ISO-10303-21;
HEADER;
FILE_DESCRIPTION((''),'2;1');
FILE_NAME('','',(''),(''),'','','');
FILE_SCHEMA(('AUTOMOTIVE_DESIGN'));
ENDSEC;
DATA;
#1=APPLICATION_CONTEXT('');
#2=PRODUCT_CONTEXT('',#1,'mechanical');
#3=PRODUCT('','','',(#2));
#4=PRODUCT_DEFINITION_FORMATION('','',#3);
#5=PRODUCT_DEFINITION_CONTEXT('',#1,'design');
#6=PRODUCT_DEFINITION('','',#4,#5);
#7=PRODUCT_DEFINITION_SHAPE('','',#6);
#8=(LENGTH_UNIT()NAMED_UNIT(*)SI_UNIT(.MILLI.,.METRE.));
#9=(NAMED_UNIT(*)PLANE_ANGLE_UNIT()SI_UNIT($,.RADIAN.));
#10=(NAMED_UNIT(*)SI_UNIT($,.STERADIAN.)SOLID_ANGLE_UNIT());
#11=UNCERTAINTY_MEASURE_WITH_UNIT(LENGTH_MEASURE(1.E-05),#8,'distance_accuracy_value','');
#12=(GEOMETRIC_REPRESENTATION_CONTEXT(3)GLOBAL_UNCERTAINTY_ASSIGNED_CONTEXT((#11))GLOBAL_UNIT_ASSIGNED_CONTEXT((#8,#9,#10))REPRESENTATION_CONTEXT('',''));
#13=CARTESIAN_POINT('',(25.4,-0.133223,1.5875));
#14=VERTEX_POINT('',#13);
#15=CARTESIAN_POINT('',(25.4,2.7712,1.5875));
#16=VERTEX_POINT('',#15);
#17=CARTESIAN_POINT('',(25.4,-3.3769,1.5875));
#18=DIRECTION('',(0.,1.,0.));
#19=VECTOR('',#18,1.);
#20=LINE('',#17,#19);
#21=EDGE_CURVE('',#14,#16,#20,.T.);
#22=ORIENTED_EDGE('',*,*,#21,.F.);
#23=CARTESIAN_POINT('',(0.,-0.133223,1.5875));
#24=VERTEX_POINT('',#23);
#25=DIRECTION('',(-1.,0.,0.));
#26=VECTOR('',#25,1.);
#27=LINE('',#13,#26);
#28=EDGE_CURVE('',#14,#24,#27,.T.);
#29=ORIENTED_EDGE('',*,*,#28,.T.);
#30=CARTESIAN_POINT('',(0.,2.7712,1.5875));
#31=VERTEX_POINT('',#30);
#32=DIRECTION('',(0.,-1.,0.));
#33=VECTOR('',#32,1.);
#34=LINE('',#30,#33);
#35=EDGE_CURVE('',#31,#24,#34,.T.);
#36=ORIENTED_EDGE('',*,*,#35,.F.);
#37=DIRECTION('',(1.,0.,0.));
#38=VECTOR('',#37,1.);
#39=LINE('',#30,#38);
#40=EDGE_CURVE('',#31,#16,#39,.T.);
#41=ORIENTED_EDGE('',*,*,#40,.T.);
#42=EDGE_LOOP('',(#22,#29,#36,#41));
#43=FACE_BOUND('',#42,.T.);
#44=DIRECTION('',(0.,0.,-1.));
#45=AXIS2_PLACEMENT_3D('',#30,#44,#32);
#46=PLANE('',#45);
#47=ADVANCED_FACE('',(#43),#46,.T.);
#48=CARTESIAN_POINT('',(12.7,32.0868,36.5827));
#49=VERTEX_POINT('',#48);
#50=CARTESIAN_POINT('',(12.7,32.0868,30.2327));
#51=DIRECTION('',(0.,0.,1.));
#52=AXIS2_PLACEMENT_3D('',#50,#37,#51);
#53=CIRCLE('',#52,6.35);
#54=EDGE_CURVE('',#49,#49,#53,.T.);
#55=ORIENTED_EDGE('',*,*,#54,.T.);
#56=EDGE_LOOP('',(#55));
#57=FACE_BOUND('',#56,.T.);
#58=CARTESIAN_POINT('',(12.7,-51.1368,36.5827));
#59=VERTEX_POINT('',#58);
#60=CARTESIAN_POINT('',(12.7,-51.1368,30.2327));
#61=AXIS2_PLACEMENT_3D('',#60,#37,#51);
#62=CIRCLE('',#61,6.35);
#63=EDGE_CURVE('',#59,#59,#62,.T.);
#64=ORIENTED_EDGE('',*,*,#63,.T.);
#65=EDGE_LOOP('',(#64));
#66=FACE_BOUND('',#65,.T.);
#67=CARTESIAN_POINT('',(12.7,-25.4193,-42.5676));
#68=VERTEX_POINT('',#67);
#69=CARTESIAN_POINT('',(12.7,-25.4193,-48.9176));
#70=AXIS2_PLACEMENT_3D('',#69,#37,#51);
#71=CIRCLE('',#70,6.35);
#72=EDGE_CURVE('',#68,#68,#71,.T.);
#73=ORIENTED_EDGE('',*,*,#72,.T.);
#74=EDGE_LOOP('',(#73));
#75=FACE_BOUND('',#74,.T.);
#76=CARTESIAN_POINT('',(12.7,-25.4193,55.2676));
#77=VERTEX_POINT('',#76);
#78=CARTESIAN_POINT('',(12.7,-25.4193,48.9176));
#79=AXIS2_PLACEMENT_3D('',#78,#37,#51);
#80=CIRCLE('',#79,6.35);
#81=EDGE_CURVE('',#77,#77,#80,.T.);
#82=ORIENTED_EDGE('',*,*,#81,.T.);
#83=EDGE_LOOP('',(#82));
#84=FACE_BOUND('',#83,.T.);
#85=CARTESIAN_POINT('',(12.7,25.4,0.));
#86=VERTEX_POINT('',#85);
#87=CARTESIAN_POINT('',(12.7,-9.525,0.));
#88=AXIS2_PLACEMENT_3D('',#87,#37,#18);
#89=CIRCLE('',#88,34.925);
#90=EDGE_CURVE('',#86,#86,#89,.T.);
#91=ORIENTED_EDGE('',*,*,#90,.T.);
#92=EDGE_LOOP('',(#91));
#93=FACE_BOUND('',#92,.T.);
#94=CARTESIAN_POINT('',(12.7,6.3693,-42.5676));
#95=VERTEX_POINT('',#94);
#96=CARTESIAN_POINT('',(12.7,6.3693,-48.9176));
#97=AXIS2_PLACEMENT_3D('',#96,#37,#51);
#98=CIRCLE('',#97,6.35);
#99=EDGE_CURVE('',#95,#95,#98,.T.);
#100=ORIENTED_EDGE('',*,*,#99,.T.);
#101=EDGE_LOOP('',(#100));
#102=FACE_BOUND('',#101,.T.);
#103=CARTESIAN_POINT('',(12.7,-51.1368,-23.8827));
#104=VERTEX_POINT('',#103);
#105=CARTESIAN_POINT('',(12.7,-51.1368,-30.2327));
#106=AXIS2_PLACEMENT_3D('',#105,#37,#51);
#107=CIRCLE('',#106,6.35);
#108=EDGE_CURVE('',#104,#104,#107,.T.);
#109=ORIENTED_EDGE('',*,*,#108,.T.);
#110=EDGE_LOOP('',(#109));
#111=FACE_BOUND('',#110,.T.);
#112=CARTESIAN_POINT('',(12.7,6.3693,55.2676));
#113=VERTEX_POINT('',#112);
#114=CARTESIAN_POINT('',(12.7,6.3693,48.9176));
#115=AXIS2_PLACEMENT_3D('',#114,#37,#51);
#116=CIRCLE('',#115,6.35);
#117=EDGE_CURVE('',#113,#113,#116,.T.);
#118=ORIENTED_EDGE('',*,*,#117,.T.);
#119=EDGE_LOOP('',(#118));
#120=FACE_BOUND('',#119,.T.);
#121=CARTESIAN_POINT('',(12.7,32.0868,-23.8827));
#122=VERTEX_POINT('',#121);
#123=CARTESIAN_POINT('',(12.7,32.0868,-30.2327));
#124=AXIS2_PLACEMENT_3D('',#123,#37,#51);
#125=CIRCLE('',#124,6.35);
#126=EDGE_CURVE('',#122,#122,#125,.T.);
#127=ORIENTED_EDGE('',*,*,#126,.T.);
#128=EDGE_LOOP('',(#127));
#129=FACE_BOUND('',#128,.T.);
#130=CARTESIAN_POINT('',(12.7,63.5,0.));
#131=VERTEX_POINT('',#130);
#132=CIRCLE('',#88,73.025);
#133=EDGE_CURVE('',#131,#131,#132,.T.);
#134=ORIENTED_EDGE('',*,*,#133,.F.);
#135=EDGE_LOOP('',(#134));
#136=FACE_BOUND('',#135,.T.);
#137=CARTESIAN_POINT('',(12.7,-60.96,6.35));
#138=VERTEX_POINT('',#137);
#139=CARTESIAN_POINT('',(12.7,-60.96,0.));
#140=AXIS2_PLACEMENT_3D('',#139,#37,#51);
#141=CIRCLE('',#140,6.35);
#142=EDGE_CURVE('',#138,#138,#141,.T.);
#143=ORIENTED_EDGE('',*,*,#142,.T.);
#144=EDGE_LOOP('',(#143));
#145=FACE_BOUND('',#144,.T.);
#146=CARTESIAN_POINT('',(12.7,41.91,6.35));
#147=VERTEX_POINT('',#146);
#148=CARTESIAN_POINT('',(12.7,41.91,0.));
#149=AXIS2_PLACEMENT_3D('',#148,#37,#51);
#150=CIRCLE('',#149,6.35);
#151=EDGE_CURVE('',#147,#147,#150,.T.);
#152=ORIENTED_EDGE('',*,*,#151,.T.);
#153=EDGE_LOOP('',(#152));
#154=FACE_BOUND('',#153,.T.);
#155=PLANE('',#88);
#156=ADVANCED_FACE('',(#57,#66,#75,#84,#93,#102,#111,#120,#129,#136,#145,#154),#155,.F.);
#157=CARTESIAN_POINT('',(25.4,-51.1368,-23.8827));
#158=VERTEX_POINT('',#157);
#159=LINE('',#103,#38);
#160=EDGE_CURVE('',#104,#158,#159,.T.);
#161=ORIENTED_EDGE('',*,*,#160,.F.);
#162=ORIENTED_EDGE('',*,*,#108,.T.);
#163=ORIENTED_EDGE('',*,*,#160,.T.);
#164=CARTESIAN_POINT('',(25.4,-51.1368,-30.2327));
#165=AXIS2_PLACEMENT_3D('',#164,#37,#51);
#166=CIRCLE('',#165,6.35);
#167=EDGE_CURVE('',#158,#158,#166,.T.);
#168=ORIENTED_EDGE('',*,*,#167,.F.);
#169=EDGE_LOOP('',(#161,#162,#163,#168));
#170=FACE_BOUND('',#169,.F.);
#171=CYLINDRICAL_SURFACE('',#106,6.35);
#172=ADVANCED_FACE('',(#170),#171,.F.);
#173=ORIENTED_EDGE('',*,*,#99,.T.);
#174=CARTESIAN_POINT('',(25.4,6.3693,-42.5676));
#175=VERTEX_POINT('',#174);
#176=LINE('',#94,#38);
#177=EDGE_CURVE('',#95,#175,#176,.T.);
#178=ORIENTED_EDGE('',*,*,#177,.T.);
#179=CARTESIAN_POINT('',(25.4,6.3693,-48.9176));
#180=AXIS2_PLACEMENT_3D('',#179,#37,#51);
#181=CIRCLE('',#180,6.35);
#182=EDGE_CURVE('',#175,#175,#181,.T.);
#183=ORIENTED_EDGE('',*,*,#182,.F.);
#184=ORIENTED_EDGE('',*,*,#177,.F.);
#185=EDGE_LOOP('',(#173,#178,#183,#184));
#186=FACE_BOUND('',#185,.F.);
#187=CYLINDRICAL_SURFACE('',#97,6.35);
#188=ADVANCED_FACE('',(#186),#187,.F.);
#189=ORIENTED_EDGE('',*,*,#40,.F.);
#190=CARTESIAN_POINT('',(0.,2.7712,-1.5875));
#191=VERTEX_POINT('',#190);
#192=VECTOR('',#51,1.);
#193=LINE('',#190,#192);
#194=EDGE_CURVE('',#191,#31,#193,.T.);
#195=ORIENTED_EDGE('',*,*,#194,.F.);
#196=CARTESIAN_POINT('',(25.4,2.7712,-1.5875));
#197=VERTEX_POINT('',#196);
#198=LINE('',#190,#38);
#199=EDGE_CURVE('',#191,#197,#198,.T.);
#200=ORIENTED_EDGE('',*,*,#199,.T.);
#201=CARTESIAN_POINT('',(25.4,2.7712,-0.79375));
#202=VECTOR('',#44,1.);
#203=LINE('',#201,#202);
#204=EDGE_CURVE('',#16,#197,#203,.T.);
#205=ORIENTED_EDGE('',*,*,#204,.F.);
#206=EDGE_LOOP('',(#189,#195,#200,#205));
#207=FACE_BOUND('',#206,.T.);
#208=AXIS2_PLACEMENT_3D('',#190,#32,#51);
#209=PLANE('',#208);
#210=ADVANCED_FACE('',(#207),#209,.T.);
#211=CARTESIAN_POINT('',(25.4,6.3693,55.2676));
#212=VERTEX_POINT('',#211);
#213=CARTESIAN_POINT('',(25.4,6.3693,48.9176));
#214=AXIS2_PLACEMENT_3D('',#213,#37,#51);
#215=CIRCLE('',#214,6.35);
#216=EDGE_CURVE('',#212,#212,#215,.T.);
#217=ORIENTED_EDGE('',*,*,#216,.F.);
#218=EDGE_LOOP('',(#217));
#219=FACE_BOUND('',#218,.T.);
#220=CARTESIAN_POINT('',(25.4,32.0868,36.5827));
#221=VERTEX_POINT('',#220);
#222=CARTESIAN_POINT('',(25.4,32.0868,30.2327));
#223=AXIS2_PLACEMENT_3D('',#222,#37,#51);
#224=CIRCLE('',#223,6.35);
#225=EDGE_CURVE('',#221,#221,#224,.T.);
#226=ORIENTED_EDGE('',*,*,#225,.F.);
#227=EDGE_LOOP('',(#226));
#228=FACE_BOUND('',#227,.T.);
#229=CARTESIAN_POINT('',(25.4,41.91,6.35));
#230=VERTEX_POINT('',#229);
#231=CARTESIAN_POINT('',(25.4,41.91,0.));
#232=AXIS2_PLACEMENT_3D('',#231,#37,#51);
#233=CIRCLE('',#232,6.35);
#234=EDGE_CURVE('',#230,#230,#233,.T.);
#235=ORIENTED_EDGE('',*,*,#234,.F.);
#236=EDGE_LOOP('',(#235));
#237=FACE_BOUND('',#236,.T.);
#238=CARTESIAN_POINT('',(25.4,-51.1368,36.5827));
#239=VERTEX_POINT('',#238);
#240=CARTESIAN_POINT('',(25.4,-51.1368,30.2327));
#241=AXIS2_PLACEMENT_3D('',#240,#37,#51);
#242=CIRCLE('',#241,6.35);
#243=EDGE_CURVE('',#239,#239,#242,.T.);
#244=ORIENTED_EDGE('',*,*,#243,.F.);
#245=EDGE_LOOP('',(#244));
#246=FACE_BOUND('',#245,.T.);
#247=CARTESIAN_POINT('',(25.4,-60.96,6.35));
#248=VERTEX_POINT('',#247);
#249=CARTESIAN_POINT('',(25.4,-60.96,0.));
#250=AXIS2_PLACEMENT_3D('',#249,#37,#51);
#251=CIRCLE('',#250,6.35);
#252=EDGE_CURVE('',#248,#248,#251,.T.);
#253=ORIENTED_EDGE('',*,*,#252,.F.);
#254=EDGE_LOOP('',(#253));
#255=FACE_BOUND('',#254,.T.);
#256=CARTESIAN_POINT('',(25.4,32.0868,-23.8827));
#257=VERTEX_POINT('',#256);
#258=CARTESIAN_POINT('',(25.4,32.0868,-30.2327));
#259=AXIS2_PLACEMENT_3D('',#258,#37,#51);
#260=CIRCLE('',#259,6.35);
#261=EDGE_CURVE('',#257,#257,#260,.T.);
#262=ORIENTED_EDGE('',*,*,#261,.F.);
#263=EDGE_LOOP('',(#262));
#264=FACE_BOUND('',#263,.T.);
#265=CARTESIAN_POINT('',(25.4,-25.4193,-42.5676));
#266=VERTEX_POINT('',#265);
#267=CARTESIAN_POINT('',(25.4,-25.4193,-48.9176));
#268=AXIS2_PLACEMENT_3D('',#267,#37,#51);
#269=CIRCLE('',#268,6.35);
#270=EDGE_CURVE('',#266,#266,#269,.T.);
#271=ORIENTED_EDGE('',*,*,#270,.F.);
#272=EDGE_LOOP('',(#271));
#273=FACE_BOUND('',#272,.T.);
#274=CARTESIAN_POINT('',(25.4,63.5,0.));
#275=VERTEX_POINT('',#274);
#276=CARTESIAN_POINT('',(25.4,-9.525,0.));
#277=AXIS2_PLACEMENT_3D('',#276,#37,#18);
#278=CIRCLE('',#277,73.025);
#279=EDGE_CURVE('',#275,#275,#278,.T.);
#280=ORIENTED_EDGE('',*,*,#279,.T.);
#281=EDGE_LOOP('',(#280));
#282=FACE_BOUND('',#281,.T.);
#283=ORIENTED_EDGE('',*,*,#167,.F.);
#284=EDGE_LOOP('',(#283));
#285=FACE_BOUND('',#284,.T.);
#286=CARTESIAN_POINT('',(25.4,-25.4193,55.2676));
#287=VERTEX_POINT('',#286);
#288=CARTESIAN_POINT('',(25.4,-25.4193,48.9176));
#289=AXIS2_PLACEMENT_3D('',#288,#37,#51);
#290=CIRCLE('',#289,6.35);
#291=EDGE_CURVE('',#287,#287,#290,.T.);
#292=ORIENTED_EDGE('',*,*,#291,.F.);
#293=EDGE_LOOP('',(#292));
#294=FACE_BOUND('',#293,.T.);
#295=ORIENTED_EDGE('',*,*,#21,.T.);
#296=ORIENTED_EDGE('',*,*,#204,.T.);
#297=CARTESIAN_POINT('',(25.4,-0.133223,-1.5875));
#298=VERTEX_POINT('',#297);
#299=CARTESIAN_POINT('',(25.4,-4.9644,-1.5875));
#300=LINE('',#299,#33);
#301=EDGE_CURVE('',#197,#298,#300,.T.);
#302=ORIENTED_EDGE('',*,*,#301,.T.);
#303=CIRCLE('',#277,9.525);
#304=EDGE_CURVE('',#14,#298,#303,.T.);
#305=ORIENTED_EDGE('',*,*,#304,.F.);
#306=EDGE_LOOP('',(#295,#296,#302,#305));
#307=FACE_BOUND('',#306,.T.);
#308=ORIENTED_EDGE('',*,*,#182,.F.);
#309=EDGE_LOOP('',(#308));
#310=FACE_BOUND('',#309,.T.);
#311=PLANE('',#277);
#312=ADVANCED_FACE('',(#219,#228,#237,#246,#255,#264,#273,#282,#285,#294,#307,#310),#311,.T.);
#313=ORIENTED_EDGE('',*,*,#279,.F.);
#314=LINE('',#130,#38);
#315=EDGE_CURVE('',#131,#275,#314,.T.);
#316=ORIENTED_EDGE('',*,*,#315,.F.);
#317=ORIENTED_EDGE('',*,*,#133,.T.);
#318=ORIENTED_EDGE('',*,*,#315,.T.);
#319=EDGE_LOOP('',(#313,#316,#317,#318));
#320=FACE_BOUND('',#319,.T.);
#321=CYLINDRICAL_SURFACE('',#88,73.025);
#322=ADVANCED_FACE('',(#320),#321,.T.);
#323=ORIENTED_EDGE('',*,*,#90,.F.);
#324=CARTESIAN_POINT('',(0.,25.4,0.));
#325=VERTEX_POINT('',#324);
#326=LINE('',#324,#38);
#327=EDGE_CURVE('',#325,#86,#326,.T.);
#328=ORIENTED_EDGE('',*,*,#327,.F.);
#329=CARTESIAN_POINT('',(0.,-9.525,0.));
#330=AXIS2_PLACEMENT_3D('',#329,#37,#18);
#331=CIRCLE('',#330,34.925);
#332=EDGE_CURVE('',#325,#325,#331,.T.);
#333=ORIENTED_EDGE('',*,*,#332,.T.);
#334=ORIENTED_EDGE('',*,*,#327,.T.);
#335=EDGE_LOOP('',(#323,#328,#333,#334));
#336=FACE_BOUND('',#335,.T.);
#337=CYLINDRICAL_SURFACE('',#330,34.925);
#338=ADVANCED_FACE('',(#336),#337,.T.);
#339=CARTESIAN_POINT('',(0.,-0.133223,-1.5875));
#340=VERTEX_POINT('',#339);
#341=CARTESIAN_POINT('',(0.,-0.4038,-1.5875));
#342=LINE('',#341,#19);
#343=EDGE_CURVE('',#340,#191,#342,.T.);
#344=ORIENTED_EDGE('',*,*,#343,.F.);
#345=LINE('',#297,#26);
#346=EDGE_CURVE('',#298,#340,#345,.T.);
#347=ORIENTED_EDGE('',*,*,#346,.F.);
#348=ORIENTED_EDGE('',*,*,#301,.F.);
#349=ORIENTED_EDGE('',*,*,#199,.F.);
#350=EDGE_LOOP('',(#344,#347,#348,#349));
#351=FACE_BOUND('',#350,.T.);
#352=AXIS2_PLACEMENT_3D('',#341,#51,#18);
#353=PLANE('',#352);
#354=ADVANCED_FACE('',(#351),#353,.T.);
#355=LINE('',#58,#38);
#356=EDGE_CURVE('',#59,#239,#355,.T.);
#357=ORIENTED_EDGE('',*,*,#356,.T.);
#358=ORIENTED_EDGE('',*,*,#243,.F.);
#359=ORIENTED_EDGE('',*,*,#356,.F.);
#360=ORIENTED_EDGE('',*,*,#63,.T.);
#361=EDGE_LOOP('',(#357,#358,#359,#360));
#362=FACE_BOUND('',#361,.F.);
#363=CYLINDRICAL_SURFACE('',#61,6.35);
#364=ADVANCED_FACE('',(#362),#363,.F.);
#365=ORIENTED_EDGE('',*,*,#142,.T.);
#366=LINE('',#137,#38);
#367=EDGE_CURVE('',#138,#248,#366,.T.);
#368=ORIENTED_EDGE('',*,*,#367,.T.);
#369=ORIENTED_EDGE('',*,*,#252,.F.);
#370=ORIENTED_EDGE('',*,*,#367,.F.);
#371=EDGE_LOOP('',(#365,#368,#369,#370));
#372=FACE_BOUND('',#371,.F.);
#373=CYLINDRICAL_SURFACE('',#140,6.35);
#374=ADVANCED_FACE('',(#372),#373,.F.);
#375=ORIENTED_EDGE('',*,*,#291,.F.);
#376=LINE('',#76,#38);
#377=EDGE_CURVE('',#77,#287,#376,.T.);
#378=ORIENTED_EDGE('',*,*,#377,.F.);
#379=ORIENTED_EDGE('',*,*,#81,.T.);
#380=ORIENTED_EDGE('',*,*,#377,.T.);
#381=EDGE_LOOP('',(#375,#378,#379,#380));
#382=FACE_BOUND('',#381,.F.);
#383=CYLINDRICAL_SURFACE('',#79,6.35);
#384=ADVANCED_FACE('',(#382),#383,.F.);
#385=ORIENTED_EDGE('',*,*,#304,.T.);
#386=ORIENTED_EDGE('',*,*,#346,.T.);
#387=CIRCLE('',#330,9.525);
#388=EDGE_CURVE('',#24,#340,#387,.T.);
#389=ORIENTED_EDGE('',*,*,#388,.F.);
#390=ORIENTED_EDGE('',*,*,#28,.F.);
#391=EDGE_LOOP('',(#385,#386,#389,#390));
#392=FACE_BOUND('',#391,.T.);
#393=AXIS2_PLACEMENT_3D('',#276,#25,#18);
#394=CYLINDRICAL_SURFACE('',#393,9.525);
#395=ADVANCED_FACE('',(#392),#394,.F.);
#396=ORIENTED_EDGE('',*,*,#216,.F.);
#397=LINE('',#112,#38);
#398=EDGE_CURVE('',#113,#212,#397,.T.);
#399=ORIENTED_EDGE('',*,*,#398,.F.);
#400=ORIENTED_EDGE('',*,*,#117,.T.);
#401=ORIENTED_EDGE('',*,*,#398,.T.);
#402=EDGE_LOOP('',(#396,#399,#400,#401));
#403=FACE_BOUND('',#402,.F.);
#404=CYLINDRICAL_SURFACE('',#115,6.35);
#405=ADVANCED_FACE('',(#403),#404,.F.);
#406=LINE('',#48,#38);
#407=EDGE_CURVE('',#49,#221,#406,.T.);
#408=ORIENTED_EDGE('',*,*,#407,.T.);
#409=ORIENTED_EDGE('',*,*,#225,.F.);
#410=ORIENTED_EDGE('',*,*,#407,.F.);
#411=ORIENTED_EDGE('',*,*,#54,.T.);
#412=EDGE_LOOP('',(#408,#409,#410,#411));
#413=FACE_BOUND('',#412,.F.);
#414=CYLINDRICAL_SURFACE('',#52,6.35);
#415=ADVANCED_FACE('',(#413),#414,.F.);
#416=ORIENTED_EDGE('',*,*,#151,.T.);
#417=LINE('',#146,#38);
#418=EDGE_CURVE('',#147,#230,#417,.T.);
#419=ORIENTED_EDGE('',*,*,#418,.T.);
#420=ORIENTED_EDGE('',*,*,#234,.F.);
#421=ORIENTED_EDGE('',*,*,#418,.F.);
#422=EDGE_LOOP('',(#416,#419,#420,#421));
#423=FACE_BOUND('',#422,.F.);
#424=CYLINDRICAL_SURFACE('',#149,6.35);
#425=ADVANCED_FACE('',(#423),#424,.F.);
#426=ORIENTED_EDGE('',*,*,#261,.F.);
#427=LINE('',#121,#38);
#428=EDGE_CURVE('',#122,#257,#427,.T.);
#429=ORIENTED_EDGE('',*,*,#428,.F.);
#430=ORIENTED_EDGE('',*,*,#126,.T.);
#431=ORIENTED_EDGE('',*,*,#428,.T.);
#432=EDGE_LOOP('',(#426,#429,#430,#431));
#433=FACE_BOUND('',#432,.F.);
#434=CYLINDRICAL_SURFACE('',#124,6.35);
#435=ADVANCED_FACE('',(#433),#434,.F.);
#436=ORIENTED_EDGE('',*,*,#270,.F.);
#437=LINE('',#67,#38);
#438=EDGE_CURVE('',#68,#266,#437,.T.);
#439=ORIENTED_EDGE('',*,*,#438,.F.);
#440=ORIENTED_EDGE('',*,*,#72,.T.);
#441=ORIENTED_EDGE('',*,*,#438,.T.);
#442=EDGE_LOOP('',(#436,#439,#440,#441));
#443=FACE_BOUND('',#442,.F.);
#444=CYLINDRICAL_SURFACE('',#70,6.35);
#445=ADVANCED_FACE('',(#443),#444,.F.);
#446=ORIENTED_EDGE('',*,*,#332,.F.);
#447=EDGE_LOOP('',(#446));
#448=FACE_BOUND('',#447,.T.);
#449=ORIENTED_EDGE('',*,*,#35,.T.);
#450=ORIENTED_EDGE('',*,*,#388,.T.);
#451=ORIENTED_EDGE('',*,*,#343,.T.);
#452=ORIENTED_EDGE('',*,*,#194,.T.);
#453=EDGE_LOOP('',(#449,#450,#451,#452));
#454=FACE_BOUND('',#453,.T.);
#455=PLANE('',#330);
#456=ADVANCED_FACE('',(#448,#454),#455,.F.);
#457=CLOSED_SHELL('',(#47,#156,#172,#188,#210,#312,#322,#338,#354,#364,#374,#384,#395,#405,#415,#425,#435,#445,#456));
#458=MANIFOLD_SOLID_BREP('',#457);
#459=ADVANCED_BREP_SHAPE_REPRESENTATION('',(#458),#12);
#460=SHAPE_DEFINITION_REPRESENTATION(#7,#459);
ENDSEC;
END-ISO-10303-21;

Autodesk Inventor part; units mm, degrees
ref_plane "YZ Plane" through (0, 0, 0) normal (1, 0, 0) x (0, 1, 0)
ref_plane "XZ Plane" through (0, 0, 0) normal (0, 1, 0) x (-1, 0, 0)
ref_plane "XY Plane" through (0, 0, 0) normal (0, 0, 1) x (1, 0, 0)
sketch "Sketch1" plane through (0, 0, 0) normal (0, 0, 1) x (1, 0, 0)
  line L0 (0, 0) -> (0, 25.4)
  line L1 (0, 25.4) -> (12.7, 25.4)
  line L2 (12.7, 25.4) -> (12.7, 63.5)
  line L3 (12.7, 63.5) -> (25.4, 63.5)
  line L4 (25.4, 63.5) -> (25.4, 0)
  line L5 (25.4, 0) -> (0, 0)
  line L6 (0, -9.525) -> (25.4, -9.525)
  dimension "d0" = 25.4
  dimension "d1" = 63.5
  dimension "d2" = 12.7
  dimension "d3" = 25.4
  dimension "d4" = 9.525
revolve "Revolution1" add sketch "Sketch1" angle 360 about axis through (0, -9.525, 0) along (1, 0, 0)
sketch "Sketch2" plane through (12.7, -9.525, 0) normal (-1, 0, 0) x (0, 0, 1)
  circle A0 centre (0, 0) radius 51.435 construction
  circle A1 centre (0, 0) radius 9.525 projected
  circle A2 centre (0, 0) radius 73.025 projected
  circle A3 centre (0, 0) radius 34.925 projected
  point P0 (0, 9.525)
  point P1 (0, 51.435)
  point P2 (-30.2327, 41.6118)
  point P3 (-48.9176, 15.8943)
  point P4 (-48.9176, -15.8943)
  point P5 (-30.2327, -41.6118)
  point P6 (0, -51.435)
  point P7 (30.2327, -41.6118)
  point P8 (48.9176, -15.8943)
  point P9 (48.9176, 15.8943)
  point P10 (30.2327, 41.6118)
  dimension "d7" = 41.91
  dimension "d17" = 360
hole "Hole1" at (12.7, 41.91, 0) direction (1, 0, 0) diameter 12.7 end through all
hole "Hole2" at (12.7, 32.0868, -30.2327) at (12.7, 6.3693, -48.9176) at (12.7, -25.4193, -48.9176) at (12.7, -51.1368, -30.2327) at (12.7, -60.96, 0) at (12.7, -51.1368, 30.2327) at (12.7, -25.4193, 48.9176) at (12.7, 6.3693, 48.9176) at (12.7, 32.0868, 30.2327) direction (1, 0, 0) diameter 12.7 end through all
sketch "Sketch3" plane through (0, -9.525, 0) normal (-1, 0, 0) x (0, 0, 1)
  line L0 (-1.5875, 12.2962) -> (1.5875, 12.2962)
  line L1 (1.5875, 12.2962) -> (1.5875, 9.1212)
  line L2 (1.5875, 9.1212) -> (-1.5875, 9.1212)
  line L3 (-1.5875, 9.1212) -> (-1.5875, 12.2962)
  circle A0 centre (48.9176, 15.8943) radius 6.35 projected
  circle A1 centre (0, 51.435) radius 6.35 projected
  point P0 (0, 9.525)
  point P1 (0, 9.1212)
  point P2 (0, 12.2759)
  dimension "d26" = 3.175
  dimension "d27" = 3.175
  dimension "d29" = 1.5875
  dimension "d30" = 48.9176
  dimension "d31" = 0
  dimension "d33" = 42.3138
  dimension "d34" = 0
extrude "Extrusion1" cut sketch "Sketch3" against normal blind 50.8 contours L0 L1 L2 L3
properties part number "CircularPattern"
